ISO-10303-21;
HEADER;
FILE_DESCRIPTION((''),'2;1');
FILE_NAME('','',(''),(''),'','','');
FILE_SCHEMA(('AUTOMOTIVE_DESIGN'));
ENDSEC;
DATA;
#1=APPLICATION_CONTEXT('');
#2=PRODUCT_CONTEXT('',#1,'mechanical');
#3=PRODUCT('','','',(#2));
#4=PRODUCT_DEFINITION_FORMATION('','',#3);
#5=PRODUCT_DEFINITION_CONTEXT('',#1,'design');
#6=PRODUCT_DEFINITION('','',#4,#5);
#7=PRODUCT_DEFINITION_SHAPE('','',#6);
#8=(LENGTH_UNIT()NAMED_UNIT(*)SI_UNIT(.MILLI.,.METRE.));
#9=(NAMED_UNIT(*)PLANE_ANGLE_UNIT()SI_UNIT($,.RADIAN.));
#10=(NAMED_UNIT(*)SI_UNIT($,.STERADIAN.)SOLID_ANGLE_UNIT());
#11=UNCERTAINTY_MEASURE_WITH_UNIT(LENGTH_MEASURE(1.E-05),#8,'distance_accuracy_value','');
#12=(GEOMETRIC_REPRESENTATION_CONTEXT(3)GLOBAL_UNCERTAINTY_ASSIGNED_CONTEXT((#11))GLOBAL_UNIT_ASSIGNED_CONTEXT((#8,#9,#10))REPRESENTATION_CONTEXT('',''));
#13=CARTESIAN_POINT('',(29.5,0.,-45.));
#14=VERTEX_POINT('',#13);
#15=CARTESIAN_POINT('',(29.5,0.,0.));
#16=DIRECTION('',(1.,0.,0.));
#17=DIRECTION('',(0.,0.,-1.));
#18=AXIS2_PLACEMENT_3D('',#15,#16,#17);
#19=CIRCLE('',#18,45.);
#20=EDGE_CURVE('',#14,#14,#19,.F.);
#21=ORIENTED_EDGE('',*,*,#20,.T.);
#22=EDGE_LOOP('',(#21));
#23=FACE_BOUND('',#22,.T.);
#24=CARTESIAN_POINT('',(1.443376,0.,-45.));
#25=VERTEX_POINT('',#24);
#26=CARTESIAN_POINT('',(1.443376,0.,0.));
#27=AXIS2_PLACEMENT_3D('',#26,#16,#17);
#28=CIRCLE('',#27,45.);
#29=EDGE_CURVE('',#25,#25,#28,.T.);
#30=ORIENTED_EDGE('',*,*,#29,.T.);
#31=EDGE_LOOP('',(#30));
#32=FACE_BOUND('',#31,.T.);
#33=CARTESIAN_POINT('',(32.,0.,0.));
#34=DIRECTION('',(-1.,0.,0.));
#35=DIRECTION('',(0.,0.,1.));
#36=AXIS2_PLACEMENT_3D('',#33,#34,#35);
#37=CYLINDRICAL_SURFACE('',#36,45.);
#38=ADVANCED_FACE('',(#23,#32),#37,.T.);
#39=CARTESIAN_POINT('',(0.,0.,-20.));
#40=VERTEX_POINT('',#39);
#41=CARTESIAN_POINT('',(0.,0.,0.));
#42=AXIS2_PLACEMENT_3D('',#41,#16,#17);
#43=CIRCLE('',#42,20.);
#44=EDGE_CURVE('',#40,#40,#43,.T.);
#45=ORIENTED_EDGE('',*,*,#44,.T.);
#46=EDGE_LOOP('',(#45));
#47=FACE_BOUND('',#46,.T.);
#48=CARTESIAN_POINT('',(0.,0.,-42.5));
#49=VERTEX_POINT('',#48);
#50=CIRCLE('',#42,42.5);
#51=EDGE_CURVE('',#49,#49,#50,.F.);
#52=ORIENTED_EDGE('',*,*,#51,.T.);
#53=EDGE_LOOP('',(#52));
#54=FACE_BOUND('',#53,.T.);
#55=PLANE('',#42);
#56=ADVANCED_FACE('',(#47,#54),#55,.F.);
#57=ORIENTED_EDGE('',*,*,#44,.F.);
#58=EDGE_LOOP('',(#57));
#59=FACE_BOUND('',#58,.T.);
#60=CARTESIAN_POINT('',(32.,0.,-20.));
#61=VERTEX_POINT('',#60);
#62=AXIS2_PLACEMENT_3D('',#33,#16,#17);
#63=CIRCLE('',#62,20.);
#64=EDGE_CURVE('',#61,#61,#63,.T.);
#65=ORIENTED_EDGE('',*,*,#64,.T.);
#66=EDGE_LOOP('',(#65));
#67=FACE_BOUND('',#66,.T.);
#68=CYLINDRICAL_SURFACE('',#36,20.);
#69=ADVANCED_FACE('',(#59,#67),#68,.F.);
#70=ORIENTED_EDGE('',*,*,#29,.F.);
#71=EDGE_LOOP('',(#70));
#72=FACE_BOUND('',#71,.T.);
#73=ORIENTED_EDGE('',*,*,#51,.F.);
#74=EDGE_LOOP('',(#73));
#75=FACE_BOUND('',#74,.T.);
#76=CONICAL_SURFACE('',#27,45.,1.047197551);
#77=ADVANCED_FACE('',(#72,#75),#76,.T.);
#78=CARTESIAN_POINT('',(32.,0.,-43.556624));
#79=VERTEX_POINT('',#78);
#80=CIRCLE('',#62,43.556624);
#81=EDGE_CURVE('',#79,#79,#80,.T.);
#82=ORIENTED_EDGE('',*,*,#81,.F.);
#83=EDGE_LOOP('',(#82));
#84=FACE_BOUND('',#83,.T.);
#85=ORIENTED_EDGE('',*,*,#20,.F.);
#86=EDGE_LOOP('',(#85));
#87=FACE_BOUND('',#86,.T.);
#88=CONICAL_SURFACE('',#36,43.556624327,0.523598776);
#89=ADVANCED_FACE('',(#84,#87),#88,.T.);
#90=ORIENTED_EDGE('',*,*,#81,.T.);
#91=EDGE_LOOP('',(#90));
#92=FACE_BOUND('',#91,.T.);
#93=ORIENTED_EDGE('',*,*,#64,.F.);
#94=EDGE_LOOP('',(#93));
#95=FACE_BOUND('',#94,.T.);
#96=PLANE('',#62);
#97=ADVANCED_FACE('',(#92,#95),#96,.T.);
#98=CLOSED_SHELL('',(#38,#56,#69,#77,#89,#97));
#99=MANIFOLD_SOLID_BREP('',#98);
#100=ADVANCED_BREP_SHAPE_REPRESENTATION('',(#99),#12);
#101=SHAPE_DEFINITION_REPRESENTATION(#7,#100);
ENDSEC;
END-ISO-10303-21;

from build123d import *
from OCP.BRepFilletAPI import BRepFilletAPI_MakeChamfer

# Parameters (mm, degrees)
SCHIZZO1_R        = 45
SCHIZZO1_R_2      = 20
ESTRUSIONE1_DEPTH = 32
SMUSSO1_SIZE      = 2.5
SMUSSO1_SIZE2     = 1.443375673


with BuildPart() as part:
    # Schizzo1 → Estrusione1 (new body)
    with BuildSketch(Plane(origin=(0, 0, 0), x_dir=(0, 0, -1), z_dir=(1, 0, 0))):
        Circle(SCHIZZO1_R)
        Circle(SCHIZZO1_R_2, mode=Mode.SUBTRACT)
    extrude(amount=ESTRUSIONE1_DEPTH)

    # Smusso1: one chamfer whose edges measure the first distance from different faces: ONE call of the kernel's chamfer builder (chamfer() names one face for all edges)
    smusso1_edges_1 = [part.edges().sort_by_distance(p)[0] for p in [
        (0, 0, 45),
    ]]
    smusso1_side_1 = [part.faces().sort_by_distance(p)[0] for p in [
        (0, 0, 43.727207794),
    ]]
    smusso1_edges_2 = [part.edges().sort_by_distance(p)[0] for p in [
        (32, 0, 45),
    ]]
    smusso1_side_2 = [part.faces().sort_by_distance(p)[0] for p in [
        (16, 0, 45),
    ]]
    smusso1 = BRepFilletAPI_MakeChamfer(part.part.solid().wrapped)
    for e in smusso1_edges_1:
        smusso1.Add(SMUSSO1_SIZE, SMUSSO1_SIZE2, e.wrapped, smusso1_side_1[0].wrapped)  # the first distance lies on this face
    for e in smusso1_edges_2:
        smusso1.Add(SMUSSO1_SIZE, SMUSSO1_SIZE2, e.wrapped, smusso1_side_2[0].wrapped)  # the first distance lies on this face
    add(Compound.cast(smusso1.Shape()), mode=Mode.REPLACE)


solid = part.part
